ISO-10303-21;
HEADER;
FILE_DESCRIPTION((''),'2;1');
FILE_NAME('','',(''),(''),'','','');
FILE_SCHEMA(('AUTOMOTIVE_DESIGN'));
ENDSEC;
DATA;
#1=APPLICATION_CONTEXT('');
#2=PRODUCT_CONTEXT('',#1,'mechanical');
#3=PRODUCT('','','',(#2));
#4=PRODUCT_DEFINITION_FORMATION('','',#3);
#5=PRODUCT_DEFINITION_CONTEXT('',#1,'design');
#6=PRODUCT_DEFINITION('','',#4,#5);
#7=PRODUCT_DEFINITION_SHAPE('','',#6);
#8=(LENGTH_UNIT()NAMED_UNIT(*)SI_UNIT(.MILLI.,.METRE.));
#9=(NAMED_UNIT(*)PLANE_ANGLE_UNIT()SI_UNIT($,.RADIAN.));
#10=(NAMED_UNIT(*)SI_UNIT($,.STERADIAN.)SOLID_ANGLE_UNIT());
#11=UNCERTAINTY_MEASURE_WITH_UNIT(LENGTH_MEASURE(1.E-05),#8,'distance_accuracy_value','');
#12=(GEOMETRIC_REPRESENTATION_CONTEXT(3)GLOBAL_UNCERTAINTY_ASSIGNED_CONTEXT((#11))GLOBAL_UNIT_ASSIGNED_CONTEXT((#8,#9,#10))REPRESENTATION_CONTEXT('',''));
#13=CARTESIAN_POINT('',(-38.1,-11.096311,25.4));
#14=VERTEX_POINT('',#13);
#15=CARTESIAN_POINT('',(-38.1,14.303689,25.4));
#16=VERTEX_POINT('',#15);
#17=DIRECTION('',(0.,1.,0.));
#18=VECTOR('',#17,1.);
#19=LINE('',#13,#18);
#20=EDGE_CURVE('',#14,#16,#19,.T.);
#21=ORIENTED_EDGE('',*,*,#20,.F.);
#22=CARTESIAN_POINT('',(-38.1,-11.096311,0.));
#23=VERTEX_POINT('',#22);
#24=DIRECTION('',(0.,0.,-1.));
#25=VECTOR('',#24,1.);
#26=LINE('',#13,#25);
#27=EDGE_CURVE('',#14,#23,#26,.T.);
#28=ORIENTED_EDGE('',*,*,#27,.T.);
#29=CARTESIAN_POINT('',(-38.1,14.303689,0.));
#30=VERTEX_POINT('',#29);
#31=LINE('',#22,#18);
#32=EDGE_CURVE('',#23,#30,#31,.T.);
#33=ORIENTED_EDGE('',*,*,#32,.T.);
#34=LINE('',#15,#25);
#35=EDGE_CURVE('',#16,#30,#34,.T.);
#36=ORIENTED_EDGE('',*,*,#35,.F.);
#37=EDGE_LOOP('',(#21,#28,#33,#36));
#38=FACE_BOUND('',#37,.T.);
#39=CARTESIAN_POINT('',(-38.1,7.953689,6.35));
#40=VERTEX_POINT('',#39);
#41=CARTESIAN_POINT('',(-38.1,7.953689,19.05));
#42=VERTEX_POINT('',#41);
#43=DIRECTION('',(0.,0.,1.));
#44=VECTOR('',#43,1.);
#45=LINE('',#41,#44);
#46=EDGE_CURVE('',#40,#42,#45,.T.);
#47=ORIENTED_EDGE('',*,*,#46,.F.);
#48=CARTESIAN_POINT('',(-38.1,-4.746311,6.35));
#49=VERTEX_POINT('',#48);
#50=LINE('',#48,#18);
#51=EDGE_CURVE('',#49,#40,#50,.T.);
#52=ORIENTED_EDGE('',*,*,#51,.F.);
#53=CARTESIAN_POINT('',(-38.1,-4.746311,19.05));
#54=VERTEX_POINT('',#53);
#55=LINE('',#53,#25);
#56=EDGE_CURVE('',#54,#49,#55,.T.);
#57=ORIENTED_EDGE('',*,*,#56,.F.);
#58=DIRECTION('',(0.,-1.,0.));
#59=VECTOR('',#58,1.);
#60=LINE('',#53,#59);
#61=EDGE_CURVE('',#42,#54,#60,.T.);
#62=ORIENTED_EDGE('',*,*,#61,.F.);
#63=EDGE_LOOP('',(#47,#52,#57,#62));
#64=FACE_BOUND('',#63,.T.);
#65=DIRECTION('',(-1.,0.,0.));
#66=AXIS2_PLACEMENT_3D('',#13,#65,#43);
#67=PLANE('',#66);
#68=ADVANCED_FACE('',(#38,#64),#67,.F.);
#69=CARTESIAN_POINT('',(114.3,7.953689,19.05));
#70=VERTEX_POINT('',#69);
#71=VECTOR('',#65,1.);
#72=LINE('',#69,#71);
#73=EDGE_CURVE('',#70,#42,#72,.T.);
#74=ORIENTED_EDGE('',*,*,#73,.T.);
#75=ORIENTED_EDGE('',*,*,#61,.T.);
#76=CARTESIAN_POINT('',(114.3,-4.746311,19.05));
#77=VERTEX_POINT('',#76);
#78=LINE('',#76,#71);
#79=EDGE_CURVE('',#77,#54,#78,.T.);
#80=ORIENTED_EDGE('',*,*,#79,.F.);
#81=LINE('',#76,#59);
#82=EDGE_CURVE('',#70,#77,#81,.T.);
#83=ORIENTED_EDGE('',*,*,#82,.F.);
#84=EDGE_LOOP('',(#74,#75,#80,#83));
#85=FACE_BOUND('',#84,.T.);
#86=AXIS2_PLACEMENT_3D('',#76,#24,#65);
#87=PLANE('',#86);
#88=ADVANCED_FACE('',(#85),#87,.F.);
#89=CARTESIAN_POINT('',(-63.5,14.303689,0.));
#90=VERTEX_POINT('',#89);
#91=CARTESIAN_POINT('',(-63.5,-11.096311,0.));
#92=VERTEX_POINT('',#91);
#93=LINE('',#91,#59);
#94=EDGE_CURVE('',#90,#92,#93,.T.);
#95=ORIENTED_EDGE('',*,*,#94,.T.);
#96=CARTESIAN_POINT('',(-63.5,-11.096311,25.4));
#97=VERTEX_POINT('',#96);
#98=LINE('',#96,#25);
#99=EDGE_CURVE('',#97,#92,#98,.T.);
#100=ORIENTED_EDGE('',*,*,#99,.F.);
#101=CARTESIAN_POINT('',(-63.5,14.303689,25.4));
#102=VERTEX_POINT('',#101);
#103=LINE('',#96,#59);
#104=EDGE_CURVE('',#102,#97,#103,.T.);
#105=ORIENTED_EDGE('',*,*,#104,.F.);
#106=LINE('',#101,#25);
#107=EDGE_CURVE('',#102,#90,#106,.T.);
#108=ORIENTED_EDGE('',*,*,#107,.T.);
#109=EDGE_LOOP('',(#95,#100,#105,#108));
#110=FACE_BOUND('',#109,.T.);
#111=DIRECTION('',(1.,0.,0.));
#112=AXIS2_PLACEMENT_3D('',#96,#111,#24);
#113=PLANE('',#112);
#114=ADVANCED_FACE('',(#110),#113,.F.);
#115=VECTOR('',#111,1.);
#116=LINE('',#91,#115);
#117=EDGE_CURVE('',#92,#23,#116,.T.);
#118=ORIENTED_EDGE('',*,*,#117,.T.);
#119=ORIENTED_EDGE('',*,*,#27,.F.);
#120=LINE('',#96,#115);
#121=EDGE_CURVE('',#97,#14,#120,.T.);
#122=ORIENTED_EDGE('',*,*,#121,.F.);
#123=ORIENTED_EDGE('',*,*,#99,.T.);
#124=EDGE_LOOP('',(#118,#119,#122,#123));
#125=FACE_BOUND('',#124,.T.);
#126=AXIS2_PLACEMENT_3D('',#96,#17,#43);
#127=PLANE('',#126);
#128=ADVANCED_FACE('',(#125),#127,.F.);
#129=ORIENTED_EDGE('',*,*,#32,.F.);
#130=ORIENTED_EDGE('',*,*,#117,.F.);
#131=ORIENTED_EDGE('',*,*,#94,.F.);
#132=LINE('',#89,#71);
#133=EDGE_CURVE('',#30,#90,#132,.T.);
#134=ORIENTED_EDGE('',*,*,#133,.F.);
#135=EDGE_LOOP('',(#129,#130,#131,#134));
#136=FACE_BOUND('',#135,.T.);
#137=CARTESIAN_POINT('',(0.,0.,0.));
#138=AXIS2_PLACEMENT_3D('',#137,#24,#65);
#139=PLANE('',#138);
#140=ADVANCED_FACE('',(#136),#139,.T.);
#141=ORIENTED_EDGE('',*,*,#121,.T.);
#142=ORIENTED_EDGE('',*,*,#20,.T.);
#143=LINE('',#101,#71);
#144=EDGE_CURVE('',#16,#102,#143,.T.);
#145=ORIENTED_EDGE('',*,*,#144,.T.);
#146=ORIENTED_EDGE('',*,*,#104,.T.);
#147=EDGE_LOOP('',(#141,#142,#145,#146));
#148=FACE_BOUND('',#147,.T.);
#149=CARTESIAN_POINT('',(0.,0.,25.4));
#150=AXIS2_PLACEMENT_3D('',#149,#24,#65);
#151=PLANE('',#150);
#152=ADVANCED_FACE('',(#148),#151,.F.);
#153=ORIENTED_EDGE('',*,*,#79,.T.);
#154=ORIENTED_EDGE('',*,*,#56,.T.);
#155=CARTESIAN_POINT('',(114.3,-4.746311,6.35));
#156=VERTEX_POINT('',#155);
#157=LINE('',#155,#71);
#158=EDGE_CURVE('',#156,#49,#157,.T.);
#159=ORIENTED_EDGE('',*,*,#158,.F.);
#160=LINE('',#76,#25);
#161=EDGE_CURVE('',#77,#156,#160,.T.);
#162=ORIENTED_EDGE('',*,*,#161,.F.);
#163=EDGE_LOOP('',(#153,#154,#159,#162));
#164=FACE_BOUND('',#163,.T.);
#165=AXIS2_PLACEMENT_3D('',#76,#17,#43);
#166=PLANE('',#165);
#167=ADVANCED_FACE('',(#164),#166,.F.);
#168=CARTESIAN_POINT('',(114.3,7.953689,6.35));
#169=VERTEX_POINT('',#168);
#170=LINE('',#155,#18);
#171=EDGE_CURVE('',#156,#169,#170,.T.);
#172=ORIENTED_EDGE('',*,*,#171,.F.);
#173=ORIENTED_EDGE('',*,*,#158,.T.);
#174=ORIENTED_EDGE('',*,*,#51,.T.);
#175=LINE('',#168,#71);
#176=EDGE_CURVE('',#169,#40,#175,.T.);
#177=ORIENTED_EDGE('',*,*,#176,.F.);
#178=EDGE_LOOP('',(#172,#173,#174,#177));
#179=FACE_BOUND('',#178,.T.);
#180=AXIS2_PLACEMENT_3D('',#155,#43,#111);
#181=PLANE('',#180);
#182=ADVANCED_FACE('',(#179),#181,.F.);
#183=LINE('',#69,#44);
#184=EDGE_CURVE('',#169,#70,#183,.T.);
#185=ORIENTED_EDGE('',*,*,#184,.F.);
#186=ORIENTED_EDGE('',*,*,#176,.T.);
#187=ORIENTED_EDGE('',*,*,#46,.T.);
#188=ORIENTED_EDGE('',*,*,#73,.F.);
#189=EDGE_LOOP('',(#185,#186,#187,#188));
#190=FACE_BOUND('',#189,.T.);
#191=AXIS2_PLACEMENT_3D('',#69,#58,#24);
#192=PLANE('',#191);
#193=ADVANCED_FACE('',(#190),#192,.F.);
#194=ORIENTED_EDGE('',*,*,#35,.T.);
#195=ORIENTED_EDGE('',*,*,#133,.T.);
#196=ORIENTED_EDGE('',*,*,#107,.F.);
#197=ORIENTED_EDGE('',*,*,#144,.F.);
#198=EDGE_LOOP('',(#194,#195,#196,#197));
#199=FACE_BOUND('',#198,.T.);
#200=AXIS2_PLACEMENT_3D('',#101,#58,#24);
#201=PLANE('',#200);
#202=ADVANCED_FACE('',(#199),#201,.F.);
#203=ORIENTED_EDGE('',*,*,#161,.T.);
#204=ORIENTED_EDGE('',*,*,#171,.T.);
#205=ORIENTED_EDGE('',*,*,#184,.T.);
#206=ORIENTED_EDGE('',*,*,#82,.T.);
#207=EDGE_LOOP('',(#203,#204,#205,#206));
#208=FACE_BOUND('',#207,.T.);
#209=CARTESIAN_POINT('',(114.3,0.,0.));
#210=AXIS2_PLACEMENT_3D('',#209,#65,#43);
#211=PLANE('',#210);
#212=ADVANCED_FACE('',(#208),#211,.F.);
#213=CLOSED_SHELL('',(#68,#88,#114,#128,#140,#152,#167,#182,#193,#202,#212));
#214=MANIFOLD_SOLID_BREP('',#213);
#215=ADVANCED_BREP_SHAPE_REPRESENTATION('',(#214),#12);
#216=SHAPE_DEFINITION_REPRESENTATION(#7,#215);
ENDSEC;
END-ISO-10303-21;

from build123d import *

# Parameters (mm, degrees)
SKETCH4_W           = 25.4
SKETCH4_H           = 25.4
BOSS_EXTRUDE1_DEPTH = 25.4
SKETCH5_W           = 12.7
SKETCH5_H           = 12.7
BOSS_EXTRUDE2_DEPTH = 152.4


with BuildPart() as part:
    # Sketch4 → Boss-Extrude1 (new body)
    with BuildSketch(Plane.XY):
        with Locations((-50.8, 1.603688601)):
            Rectangle(SKETCH4_W, SKETCH4_H)
    extrude(amount=BOSS_EXTRUDE1_DEPTH)

    # Sketch5 → Boss-Extrude2 (add)
    with BuildSketch(Plane(origin=(-38.1, 0, 0), x_dir=(0, 0, -1), z_dir=(1, 0, 0))):
        with Locations((-12.7, 1.603688601)):
            Rectangle(SKETCH5_W, SKETCH5_H)
    extrude(amount=BOSS_EXTRUDE2_DEPTH)


solid = part.part
